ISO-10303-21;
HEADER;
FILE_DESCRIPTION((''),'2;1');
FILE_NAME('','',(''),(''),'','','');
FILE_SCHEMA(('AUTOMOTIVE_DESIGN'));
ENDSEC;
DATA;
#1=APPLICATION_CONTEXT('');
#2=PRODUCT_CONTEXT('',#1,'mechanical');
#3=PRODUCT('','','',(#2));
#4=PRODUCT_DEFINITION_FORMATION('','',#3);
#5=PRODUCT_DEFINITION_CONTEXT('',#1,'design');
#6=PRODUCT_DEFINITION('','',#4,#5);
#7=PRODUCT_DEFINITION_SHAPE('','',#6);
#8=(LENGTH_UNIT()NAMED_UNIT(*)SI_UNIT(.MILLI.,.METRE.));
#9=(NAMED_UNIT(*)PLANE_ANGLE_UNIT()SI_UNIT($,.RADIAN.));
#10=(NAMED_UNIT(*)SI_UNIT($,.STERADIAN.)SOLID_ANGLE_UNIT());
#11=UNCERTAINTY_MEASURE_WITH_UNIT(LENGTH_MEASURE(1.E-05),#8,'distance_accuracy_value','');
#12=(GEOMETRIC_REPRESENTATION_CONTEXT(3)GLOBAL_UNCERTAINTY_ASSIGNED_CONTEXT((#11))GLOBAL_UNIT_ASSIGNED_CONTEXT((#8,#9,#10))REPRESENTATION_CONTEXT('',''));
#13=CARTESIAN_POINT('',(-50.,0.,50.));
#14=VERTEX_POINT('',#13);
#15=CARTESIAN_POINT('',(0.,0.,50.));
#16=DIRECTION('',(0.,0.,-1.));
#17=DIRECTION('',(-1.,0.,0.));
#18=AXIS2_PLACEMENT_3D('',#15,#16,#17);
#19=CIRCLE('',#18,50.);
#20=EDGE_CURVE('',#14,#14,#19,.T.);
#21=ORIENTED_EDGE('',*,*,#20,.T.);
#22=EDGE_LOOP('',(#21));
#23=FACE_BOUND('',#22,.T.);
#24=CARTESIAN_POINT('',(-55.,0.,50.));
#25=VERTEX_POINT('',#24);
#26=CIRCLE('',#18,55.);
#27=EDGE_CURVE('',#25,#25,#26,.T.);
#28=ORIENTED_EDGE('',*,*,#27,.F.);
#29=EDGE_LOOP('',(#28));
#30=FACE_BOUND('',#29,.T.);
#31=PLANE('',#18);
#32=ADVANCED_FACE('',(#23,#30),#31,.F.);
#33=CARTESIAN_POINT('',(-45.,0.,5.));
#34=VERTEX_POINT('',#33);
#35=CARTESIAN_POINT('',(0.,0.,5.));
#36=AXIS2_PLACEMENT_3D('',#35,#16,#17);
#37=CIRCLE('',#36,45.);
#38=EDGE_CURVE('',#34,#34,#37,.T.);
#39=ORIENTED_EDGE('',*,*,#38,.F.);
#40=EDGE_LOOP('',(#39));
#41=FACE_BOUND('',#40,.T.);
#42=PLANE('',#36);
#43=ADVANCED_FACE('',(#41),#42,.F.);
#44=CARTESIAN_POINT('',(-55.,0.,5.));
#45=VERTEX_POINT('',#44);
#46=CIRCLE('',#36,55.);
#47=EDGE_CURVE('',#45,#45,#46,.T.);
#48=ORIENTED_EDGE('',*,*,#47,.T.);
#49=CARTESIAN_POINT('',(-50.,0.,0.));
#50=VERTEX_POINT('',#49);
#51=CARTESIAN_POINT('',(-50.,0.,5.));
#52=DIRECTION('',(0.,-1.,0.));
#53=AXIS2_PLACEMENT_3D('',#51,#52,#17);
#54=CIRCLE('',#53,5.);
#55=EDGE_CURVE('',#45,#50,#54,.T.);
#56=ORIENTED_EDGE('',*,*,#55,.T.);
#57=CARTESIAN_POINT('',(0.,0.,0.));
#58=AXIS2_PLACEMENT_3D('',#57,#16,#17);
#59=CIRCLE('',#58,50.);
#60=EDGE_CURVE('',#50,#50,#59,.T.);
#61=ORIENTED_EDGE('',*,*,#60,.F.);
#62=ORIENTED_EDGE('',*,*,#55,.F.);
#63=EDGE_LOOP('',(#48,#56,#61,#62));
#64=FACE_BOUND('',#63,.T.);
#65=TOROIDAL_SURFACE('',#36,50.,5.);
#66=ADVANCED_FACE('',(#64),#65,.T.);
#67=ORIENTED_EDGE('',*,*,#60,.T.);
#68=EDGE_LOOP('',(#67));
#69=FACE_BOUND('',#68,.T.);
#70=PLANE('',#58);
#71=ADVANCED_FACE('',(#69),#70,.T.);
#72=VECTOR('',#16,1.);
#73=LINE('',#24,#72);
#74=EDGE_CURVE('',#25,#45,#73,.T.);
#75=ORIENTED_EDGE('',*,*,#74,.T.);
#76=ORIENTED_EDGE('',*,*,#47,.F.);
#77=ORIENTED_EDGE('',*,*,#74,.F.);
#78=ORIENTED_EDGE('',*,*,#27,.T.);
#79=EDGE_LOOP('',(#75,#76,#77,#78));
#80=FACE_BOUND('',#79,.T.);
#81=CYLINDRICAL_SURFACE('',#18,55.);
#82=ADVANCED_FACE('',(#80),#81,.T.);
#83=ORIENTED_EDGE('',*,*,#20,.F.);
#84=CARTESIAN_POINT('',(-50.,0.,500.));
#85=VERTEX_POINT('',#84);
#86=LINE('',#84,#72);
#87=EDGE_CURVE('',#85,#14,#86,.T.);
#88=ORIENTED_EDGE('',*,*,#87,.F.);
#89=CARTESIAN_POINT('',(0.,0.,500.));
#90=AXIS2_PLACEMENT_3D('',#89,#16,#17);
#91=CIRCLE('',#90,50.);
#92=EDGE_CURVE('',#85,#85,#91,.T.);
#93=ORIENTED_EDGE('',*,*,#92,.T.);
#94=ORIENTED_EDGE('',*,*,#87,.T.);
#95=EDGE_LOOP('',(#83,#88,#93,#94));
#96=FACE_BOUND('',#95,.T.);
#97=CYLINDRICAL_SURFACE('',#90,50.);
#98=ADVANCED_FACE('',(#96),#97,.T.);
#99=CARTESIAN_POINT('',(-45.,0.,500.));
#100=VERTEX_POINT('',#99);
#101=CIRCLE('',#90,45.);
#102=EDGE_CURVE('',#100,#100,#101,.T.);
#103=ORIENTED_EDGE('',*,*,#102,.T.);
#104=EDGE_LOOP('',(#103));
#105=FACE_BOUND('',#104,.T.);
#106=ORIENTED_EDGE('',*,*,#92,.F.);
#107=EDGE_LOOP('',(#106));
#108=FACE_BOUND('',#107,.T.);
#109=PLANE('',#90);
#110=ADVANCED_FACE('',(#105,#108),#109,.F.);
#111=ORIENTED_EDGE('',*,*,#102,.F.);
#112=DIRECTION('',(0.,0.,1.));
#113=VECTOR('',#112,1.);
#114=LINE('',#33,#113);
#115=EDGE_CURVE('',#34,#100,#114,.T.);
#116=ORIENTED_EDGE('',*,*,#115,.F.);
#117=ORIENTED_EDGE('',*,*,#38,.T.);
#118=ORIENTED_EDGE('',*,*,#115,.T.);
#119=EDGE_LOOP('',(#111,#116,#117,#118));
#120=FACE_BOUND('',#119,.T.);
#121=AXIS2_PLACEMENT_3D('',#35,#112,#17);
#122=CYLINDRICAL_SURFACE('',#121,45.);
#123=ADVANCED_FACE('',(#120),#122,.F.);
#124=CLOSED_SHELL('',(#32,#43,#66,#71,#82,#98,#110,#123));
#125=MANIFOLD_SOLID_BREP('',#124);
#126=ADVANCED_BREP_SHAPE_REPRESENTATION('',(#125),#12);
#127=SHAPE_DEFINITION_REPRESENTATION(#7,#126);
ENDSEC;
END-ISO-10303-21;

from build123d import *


with BuildPart() as f1:
    # F0 (on Front) → F1 (revolve)
    with BuildSketch(Plane.XZ):
        with BuildLine():
            Line((-50, 0), (-50, 50))
            Line((-50, 50), (-55, 50))
            Line((-55, 50), (-55, 5))
            ThreePointArc((-55, 5), (-53.5355339059, 1.4644660941), (-50, 0))
        make_face()
        Polygon((-45, 500), (-50, 500), (-50, 50), (-50, 0), (0, 0), (0, 5), (-45, 5), align=None)
    revolve(axis=Axis((0, 0, 252.5), (0, 0, -1)))


solid = f1.part
